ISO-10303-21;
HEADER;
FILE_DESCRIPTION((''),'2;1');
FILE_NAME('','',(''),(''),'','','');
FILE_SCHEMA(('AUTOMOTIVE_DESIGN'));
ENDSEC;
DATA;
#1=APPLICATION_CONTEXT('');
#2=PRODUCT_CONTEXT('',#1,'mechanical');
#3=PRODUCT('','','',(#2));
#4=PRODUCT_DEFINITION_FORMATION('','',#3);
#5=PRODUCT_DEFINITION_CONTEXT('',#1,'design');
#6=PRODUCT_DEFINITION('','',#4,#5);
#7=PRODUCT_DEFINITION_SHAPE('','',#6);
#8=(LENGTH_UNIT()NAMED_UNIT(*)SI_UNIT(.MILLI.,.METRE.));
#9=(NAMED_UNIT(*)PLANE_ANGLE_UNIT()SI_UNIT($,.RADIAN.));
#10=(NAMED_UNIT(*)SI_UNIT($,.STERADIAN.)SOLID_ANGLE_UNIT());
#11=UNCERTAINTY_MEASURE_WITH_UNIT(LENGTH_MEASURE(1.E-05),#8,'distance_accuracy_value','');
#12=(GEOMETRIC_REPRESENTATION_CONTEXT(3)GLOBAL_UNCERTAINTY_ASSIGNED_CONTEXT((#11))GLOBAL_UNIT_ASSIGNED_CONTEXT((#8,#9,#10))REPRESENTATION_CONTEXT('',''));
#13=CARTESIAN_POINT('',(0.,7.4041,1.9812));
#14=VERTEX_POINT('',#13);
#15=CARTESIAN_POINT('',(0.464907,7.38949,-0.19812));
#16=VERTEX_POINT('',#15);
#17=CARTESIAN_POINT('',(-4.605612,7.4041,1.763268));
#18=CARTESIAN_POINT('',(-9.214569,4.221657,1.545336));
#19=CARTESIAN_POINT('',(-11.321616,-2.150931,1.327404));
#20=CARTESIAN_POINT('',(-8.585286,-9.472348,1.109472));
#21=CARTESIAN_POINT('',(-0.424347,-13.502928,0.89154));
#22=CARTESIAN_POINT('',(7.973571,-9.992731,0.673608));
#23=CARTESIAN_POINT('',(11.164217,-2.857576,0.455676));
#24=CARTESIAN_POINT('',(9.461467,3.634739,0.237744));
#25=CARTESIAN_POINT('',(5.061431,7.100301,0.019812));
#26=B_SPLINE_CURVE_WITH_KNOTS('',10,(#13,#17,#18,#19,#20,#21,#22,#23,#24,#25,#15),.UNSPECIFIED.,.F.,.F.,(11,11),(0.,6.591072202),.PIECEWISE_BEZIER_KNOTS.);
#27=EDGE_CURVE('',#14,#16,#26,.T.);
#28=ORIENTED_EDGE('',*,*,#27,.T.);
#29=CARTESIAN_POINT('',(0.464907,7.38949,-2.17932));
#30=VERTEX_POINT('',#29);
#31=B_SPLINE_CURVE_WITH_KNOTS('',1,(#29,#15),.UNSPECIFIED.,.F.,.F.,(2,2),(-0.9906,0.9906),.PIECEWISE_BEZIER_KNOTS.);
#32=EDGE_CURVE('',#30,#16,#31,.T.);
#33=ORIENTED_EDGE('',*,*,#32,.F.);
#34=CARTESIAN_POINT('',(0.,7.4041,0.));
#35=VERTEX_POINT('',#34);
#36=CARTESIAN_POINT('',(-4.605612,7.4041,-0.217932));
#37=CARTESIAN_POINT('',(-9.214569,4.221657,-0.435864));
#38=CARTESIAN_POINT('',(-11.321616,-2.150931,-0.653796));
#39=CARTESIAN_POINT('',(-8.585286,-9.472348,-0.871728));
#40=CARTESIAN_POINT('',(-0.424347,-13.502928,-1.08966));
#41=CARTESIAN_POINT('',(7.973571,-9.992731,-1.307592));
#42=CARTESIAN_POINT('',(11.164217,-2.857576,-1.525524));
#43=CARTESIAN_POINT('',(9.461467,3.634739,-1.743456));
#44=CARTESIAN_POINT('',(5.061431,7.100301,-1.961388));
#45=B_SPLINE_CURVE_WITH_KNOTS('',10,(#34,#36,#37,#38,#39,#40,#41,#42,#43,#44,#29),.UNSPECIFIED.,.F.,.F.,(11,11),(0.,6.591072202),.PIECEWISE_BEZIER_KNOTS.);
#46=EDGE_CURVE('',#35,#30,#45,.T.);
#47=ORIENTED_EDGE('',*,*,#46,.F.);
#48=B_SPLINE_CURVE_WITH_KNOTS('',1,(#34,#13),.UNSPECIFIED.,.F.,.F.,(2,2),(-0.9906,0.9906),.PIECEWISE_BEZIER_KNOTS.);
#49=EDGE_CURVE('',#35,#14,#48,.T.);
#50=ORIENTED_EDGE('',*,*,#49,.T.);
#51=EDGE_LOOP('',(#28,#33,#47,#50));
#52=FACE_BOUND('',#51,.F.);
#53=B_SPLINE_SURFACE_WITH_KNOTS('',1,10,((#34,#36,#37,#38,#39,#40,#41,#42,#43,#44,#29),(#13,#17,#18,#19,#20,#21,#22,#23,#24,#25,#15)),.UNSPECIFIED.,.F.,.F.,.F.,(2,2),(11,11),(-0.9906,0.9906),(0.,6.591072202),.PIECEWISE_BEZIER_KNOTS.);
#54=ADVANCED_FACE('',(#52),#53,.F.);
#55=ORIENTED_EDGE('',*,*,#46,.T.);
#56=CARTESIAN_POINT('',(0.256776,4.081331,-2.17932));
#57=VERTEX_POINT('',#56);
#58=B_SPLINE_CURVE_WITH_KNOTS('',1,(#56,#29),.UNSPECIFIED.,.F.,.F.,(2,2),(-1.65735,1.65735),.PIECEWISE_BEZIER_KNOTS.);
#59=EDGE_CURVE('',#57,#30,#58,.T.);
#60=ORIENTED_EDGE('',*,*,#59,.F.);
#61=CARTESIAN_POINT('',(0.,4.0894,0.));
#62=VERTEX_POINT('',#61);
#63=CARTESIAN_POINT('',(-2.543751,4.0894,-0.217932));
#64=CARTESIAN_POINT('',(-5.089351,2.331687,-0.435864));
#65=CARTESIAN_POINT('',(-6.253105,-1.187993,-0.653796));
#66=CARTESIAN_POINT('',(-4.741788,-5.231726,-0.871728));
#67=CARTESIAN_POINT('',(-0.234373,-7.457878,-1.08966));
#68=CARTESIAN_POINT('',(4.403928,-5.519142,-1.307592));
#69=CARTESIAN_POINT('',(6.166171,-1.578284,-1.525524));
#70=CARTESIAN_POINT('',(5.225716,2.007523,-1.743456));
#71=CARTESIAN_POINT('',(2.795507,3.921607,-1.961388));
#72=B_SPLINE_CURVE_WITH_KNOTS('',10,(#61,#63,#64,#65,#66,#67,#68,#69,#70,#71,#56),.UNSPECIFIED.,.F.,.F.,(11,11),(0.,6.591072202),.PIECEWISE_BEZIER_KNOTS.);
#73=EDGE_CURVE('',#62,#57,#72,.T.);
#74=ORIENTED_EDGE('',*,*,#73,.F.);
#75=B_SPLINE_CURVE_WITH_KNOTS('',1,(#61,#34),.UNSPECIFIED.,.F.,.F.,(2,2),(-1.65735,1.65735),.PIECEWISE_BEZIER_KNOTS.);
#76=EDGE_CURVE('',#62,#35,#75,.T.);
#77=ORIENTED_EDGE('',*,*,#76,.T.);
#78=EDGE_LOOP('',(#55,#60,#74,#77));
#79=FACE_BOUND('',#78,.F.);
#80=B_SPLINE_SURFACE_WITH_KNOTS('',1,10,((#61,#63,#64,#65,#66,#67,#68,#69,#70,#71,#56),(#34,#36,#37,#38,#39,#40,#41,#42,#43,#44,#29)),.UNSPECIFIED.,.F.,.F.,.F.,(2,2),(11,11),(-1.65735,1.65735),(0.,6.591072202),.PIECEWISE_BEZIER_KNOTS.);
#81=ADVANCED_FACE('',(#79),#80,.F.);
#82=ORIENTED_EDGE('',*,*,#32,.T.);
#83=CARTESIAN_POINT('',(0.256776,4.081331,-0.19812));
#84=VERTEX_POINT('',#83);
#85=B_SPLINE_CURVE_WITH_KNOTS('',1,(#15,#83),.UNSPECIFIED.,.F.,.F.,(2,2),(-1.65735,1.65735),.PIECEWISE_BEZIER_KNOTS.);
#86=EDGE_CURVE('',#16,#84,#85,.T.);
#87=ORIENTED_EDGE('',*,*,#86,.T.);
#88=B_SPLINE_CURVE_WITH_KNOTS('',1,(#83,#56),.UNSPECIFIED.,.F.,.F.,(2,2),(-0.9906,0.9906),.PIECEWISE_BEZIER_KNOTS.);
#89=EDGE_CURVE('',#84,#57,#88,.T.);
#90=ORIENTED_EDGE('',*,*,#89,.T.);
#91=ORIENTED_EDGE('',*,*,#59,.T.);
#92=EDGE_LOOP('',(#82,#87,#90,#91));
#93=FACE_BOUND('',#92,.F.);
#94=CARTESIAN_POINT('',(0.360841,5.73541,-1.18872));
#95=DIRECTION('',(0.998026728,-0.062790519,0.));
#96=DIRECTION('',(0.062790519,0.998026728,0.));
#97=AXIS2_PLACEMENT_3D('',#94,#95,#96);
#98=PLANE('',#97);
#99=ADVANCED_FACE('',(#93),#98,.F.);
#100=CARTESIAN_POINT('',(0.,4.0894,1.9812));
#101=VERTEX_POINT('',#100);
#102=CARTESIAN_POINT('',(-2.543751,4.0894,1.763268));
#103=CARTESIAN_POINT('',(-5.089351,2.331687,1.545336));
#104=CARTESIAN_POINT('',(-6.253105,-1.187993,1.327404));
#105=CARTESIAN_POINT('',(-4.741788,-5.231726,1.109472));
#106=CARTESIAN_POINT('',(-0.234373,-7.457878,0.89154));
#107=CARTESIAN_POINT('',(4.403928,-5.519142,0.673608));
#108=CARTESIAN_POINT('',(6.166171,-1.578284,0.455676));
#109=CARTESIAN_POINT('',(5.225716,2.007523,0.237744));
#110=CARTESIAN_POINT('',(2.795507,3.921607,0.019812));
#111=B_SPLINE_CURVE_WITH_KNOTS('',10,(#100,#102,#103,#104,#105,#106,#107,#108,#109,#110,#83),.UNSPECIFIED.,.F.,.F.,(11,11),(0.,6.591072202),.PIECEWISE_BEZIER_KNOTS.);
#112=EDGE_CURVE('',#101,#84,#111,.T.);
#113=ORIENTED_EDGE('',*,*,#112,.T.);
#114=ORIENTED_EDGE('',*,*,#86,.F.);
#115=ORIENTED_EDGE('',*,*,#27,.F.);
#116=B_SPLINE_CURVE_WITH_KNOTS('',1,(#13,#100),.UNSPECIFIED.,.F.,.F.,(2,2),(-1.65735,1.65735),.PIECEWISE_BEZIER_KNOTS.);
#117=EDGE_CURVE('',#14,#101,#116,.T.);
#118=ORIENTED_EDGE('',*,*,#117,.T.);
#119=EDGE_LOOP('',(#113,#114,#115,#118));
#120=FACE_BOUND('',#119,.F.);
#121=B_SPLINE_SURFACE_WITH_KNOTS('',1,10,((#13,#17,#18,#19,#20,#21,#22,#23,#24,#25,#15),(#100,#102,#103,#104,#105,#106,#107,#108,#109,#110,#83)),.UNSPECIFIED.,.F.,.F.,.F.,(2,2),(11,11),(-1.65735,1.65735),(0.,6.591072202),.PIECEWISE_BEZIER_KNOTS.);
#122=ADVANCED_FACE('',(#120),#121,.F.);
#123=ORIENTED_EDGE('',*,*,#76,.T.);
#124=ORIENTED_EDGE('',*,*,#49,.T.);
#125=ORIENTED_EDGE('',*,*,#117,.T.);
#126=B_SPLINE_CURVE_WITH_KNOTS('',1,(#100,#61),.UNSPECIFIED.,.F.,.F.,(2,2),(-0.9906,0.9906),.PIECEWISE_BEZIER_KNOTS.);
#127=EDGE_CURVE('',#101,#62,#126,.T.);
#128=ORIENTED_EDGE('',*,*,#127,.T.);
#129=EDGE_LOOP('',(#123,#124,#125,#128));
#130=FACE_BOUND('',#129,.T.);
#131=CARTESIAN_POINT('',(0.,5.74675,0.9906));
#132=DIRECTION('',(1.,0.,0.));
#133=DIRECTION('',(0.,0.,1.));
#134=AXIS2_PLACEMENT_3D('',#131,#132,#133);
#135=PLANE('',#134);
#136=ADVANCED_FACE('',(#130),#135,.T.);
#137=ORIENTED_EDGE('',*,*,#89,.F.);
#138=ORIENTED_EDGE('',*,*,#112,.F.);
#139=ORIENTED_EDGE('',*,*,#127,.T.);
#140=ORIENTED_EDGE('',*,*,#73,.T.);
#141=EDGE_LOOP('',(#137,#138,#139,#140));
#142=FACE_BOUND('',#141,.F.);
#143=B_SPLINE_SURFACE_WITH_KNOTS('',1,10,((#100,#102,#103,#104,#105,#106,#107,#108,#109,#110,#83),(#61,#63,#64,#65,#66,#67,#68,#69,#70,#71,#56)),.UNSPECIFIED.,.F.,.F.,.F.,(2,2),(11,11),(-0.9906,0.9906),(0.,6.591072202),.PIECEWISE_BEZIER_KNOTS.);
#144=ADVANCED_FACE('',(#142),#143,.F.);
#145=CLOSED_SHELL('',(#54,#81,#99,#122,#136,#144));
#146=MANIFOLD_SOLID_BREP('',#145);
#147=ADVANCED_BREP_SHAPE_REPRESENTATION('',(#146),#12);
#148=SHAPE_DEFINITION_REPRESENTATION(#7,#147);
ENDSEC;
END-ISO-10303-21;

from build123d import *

# Parameters (mm, degrees)
SWEEP1_PITCH       = 2.201333333
SWEEP1_HEIGHT      = 2.17932
SWEEP1_RADIUS      = 7.4041
SWEEP1_START_ANGLE = 90
SKETCH2_W          = 1.9812
SKETCH2_H          = 3.3147


with BuildPart() as part:
    # Sweep1: sweep along a helix
    with BuildLine() as sweep1_path:
        add(Helix(SWEEP1_PITCH, SWEEP1_HEIGHT, SWEEP1_RADIUS, center=(0, 0, 0), direction=(0, 0, -1), lefthand=True, mode=Mode.PRIVATE).rotate(Axis((0, 0, 0), (0, 0, -1)), SWEEP1_START_ANGLE))
    # Sketch2 → Sweep1 (sweep)
    with BuildSketch(Plane(origin=(0, 0, 0), x_dir=(0, 0, -1), z_dir=(1, 0, 0))):
        with Locations((-0.9906, 5.74675)):
            Rectangle(SKETCH2_W, SKETCH2_H)
    sweep(path=sweep1_path.line, is_frenet=True)


solid = part.part
